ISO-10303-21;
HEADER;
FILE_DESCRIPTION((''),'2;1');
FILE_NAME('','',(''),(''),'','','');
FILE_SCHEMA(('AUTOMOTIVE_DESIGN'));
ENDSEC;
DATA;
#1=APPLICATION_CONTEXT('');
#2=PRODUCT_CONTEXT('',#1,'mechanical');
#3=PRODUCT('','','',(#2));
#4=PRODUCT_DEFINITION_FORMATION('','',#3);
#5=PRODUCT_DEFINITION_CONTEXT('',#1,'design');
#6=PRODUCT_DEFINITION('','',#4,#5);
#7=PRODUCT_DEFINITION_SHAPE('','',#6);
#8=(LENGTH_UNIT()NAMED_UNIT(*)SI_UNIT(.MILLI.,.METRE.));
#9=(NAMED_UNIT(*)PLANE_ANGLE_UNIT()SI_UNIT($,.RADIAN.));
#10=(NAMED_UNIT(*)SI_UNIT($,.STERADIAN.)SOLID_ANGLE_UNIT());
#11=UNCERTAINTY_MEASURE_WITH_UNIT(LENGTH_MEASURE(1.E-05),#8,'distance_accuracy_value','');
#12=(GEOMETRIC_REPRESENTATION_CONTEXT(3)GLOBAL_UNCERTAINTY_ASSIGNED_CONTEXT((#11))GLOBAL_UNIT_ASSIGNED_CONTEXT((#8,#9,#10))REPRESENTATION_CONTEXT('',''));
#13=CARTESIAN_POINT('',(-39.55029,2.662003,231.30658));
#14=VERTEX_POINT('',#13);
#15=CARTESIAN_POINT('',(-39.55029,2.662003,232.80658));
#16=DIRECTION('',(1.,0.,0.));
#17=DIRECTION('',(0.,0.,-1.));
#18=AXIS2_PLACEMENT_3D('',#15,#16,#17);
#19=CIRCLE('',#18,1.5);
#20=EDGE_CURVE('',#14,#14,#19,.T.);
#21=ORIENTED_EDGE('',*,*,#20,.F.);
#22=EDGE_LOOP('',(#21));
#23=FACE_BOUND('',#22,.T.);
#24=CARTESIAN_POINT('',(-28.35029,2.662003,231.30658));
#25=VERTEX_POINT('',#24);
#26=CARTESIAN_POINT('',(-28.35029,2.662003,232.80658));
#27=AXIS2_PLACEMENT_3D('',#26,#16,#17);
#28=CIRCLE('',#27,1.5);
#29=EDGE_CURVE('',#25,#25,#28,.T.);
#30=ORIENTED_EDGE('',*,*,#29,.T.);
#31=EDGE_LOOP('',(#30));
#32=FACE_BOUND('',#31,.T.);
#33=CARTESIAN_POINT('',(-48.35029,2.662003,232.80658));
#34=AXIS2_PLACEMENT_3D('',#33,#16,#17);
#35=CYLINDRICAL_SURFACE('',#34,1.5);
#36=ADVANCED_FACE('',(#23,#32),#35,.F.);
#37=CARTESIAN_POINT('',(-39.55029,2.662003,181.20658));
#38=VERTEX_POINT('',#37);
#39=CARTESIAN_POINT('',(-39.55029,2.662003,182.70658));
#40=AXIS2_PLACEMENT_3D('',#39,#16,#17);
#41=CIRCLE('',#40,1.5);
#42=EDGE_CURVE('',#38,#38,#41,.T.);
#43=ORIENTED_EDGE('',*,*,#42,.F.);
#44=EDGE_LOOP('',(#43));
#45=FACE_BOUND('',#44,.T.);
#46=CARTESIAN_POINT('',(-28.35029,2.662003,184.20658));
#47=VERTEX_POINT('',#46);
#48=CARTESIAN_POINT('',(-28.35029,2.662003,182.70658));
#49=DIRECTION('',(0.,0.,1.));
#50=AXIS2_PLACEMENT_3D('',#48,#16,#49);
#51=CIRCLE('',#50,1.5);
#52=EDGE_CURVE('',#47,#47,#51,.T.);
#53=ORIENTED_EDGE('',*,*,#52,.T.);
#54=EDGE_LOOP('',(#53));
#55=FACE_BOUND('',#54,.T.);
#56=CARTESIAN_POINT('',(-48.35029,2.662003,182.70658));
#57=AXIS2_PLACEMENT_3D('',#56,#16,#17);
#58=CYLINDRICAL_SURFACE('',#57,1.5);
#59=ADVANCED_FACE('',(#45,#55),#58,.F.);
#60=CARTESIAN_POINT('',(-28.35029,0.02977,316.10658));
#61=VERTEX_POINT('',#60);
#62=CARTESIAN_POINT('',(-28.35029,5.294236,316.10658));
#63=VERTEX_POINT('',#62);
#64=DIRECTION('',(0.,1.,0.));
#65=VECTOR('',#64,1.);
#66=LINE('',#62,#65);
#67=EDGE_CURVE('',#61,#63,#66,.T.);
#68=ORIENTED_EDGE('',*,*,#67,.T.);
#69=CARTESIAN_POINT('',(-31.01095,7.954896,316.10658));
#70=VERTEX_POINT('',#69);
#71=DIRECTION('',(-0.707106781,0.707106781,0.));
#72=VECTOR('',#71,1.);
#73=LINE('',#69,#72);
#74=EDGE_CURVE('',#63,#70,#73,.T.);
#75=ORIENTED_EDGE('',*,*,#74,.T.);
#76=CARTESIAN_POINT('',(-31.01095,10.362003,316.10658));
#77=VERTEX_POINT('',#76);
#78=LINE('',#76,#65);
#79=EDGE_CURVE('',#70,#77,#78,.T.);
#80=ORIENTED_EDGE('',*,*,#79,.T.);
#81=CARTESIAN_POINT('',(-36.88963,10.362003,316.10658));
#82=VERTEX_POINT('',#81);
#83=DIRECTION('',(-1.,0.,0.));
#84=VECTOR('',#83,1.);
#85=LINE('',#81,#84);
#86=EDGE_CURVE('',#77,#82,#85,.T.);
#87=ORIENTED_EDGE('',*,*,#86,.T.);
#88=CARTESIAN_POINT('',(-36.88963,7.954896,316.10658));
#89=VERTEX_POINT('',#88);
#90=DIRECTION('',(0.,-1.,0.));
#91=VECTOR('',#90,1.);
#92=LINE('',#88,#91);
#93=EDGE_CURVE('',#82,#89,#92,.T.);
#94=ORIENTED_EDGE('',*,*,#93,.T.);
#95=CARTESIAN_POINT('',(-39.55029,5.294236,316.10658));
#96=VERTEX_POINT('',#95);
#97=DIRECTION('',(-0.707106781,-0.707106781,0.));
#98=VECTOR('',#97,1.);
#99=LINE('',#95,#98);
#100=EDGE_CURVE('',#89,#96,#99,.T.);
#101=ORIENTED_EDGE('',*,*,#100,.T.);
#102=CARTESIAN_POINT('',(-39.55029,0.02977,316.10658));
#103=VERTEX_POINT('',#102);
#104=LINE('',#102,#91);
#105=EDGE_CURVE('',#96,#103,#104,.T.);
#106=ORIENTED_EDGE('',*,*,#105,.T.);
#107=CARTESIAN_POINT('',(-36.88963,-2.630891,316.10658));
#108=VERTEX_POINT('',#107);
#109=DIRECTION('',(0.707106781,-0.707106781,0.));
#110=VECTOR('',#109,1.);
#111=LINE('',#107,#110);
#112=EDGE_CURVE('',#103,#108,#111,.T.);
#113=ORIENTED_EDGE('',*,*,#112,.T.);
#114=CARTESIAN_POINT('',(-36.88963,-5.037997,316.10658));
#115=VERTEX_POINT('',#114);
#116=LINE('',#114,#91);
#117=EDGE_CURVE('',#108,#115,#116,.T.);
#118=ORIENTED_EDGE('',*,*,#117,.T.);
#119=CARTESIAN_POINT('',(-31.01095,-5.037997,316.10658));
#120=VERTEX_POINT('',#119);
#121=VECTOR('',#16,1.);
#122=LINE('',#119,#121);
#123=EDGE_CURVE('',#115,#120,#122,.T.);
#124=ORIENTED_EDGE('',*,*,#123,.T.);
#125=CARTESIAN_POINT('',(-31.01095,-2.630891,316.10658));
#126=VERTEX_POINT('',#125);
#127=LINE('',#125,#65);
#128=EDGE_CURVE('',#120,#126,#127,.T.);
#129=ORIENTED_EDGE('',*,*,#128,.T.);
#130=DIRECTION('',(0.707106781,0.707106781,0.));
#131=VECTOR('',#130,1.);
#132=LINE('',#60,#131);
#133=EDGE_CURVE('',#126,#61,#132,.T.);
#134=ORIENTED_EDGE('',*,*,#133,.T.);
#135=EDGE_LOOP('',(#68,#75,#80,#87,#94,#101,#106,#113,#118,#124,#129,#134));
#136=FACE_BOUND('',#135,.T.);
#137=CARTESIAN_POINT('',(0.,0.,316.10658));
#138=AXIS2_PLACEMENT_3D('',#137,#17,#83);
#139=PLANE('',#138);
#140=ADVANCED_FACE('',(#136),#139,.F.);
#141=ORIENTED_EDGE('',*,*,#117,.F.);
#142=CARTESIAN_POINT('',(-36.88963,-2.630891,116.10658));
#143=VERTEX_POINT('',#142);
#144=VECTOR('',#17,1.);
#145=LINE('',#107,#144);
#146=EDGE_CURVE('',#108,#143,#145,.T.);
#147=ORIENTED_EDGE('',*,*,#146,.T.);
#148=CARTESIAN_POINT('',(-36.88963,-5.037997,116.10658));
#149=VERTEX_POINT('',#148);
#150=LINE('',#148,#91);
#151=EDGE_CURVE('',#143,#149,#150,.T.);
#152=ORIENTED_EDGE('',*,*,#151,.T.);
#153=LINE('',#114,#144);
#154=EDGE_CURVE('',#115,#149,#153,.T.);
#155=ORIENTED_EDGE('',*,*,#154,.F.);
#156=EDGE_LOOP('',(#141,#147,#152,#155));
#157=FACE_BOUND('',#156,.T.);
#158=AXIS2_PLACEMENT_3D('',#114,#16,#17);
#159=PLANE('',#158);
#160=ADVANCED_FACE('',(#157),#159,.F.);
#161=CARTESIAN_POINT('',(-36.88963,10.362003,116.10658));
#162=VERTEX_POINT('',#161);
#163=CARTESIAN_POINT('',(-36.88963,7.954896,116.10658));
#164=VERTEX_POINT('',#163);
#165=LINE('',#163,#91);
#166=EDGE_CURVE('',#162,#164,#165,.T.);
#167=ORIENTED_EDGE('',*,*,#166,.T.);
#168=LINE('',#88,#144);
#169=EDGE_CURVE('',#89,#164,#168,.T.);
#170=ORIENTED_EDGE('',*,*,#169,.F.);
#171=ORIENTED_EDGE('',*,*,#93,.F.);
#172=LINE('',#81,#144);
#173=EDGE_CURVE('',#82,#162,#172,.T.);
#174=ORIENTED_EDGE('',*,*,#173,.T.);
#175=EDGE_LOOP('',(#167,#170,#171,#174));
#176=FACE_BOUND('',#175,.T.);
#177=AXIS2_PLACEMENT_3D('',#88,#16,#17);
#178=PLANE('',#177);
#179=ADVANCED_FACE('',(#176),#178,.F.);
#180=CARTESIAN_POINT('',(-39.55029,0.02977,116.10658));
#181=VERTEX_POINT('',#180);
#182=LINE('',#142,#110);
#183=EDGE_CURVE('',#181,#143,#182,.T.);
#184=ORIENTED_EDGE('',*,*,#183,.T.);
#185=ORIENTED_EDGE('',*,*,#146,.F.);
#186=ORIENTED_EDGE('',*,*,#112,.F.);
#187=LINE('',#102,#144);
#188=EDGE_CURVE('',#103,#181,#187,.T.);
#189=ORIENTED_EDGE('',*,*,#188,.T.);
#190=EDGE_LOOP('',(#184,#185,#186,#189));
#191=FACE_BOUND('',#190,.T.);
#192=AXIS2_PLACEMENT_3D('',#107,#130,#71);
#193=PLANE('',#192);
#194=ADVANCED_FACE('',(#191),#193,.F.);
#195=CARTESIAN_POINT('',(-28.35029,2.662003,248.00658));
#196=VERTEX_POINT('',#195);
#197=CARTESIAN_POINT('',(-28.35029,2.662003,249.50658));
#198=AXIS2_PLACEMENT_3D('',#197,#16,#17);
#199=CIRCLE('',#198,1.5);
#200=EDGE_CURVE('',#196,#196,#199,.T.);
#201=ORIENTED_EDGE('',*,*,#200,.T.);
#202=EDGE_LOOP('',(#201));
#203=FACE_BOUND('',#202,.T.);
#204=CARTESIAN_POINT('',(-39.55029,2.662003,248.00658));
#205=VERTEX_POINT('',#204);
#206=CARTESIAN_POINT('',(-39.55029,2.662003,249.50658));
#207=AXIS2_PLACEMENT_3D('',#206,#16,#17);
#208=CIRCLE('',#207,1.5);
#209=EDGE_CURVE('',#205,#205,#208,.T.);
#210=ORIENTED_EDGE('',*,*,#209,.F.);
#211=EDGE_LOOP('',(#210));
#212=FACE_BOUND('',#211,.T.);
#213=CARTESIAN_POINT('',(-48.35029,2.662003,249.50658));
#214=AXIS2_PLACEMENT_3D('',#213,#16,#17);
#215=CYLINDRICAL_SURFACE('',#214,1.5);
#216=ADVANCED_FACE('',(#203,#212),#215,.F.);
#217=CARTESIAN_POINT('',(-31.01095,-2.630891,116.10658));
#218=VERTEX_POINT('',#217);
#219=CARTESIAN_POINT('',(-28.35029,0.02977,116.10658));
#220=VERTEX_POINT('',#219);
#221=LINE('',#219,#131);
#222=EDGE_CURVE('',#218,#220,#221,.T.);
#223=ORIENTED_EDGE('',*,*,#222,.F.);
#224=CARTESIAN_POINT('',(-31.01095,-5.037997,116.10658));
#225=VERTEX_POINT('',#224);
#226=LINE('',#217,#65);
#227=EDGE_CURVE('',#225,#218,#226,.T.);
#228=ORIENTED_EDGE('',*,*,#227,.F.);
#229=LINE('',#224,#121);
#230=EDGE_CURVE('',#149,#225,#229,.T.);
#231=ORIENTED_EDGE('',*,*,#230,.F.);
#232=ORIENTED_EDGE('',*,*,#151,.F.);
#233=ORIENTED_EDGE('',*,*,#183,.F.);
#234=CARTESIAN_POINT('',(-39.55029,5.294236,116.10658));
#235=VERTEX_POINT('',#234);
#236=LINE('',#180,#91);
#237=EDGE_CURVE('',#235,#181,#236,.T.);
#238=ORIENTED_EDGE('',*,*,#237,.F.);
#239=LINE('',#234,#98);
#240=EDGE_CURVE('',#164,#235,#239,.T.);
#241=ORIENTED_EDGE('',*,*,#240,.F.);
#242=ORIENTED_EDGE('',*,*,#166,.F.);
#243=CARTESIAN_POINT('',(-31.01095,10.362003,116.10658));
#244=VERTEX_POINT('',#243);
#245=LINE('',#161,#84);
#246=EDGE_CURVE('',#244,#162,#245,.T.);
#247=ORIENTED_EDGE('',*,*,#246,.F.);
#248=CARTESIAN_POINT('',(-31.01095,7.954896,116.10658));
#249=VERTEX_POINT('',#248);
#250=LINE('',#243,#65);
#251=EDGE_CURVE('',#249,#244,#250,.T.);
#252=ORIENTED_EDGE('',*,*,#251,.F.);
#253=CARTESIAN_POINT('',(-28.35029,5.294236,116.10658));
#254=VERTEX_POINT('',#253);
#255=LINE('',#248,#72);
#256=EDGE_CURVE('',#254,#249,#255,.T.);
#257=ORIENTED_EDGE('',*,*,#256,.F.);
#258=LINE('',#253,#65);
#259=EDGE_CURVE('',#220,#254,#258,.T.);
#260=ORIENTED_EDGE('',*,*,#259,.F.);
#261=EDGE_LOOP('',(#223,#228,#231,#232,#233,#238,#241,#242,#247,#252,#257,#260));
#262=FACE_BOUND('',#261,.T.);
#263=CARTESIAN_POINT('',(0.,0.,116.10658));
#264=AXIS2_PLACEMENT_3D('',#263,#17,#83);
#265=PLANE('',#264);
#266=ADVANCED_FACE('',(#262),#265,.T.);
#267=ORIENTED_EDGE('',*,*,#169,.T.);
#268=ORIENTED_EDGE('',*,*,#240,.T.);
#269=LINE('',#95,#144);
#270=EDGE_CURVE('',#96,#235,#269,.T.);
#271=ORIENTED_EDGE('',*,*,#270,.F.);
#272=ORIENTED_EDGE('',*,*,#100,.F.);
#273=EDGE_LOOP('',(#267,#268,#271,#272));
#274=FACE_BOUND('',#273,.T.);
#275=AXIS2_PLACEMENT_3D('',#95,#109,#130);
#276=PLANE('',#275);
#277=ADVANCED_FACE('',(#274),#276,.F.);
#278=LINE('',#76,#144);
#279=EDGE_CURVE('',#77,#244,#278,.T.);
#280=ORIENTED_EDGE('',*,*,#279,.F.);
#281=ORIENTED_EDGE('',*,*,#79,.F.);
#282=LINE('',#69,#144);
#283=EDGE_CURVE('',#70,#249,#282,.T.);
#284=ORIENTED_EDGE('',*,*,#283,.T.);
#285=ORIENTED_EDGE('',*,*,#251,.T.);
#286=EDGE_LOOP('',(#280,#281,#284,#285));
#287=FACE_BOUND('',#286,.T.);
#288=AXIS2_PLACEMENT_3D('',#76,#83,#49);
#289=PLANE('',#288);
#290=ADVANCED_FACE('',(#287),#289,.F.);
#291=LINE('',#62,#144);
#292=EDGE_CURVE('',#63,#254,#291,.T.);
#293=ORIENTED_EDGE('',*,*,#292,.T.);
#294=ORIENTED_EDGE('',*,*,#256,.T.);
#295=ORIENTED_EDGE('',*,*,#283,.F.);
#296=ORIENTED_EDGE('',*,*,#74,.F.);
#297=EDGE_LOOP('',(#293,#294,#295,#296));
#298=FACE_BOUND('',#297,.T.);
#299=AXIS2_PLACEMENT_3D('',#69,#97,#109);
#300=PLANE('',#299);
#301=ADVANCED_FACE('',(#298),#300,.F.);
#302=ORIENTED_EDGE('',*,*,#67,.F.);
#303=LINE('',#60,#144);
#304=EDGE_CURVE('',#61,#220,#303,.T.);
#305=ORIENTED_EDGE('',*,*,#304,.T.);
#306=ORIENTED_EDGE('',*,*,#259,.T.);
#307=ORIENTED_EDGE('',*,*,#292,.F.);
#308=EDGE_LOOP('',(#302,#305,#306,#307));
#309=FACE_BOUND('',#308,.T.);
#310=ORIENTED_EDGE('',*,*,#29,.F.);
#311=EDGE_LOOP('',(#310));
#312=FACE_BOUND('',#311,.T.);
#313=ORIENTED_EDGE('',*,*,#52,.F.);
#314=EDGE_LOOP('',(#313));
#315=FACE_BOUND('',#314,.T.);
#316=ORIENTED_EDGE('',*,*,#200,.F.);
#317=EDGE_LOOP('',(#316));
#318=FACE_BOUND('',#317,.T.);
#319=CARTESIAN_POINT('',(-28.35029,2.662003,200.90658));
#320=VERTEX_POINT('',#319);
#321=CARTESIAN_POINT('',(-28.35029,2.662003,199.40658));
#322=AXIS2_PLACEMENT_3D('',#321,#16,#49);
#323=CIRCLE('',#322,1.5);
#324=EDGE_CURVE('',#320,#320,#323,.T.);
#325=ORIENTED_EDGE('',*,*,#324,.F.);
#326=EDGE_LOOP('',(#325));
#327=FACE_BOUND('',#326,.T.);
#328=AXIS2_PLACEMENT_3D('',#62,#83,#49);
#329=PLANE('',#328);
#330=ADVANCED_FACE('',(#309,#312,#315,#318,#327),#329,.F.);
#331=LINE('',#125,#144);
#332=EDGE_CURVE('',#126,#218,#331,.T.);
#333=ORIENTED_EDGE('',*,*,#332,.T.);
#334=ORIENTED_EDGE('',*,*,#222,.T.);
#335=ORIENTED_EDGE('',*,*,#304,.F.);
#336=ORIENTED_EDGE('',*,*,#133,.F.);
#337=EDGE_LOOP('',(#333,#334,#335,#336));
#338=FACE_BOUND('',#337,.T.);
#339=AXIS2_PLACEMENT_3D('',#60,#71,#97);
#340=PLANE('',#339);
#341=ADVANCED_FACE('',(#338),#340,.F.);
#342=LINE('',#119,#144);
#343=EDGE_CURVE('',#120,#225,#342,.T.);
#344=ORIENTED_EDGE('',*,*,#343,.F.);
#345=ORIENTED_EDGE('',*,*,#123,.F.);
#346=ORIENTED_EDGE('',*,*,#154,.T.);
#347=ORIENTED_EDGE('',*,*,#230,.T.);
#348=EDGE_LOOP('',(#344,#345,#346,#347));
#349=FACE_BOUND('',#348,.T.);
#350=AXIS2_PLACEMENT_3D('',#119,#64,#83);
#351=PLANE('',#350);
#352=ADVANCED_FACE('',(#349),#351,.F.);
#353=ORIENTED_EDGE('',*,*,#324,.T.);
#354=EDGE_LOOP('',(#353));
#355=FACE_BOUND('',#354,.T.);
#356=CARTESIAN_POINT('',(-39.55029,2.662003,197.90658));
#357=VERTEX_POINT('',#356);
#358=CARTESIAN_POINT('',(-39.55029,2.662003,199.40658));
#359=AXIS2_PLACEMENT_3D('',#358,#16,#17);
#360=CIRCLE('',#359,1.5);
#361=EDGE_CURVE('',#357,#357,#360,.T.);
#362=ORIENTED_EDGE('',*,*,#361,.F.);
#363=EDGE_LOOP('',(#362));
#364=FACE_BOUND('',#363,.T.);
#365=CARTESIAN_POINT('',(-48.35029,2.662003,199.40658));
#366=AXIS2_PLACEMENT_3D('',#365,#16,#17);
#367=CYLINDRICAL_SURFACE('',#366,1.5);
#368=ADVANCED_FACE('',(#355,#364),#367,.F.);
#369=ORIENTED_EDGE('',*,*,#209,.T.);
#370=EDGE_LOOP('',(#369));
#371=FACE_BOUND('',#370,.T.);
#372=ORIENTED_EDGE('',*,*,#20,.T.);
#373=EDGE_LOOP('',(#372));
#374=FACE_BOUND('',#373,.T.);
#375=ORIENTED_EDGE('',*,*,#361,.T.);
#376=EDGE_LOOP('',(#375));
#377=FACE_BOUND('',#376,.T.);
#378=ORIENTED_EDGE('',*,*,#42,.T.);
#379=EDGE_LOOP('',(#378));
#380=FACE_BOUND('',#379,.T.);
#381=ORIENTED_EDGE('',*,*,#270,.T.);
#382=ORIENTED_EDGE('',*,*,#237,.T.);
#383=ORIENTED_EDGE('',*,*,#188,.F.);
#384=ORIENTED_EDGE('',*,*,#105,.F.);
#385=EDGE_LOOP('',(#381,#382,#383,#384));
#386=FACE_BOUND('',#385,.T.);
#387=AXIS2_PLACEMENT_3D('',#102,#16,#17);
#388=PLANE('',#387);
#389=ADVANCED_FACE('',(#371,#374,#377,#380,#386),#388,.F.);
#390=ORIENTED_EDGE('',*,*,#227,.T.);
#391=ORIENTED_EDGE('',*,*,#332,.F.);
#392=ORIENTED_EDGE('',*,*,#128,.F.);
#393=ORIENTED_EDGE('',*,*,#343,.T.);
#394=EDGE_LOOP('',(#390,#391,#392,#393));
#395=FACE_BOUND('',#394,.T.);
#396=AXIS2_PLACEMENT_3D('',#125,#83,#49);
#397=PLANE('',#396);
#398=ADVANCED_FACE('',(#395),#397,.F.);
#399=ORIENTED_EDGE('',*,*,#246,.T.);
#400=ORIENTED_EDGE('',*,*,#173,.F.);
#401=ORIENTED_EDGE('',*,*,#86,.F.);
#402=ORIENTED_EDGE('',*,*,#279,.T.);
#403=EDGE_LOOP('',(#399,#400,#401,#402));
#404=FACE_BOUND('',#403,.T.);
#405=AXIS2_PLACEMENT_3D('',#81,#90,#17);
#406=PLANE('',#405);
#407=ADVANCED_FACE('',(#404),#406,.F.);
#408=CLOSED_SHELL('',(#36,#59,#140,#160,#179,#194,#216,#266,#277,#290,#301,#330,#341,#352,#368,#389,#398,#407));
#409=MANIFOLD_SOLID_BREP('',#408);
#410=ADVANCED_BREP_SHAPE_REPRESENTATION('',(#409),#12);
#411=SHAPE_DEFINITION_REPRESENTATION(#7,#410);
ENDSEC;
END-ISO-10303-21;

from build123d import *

# Parameters (mm, degrees)
BOSS_EXTRUDE1_DEPTH = 200
SKETCH2_R           = 1.5
CUT_EXTRUDE1_DEPTH  = 20


with BuildPart() as part:
    # Sketch1 → Boss-Extrude1 (new body)
    with BuildSketch(Plane.XY.offset(116.106580091)):
        Polygon((-39.550290087, 5.294235639), (-36.889629915, 7.954895811), (-36.889629915, 10.362002592), (-31.010950259, 10.362002592), (-31.010950259, 7.954895811), (-28.350290087, 5.294235639), (-28.350290087, 0.029769545), (-31.010950259, -2.630890626), (-31.010950259, -5.037997408), (-36.889629915, -5.037997408), (-36.889629915, -2.630890626), (-39.550290087, 0.029769545), align=None)
    extrude(amount=BOSS_EXTRUDE1_DEPTH)

    # Sketch2 → Cut-Extrude1 (cut)
    with BuildSketch(Plane(origin=(-28.350290087, 0, 0), x_dir=(0, 0, -1), z_dir=(1, 0, 0))):
        with Locations((-232.806580091, 2.662002592)):
            Circle(SKETCH2_R)
        with Locations((-249.506580091, 2.662002592)):
            Circle(SKETCH2_R)
        with Locations((-199.406580091, 2.662002592)):
            Circle(SKETCH2_R)
        with Locations((-182.706580091, 2.662002592)):
            Circle(SKETCH2_R)
    extrude(amount=-CUT_EXTRUDE1_DEPTH, mode=Mode.SUBTRACT)


solid = part.part
